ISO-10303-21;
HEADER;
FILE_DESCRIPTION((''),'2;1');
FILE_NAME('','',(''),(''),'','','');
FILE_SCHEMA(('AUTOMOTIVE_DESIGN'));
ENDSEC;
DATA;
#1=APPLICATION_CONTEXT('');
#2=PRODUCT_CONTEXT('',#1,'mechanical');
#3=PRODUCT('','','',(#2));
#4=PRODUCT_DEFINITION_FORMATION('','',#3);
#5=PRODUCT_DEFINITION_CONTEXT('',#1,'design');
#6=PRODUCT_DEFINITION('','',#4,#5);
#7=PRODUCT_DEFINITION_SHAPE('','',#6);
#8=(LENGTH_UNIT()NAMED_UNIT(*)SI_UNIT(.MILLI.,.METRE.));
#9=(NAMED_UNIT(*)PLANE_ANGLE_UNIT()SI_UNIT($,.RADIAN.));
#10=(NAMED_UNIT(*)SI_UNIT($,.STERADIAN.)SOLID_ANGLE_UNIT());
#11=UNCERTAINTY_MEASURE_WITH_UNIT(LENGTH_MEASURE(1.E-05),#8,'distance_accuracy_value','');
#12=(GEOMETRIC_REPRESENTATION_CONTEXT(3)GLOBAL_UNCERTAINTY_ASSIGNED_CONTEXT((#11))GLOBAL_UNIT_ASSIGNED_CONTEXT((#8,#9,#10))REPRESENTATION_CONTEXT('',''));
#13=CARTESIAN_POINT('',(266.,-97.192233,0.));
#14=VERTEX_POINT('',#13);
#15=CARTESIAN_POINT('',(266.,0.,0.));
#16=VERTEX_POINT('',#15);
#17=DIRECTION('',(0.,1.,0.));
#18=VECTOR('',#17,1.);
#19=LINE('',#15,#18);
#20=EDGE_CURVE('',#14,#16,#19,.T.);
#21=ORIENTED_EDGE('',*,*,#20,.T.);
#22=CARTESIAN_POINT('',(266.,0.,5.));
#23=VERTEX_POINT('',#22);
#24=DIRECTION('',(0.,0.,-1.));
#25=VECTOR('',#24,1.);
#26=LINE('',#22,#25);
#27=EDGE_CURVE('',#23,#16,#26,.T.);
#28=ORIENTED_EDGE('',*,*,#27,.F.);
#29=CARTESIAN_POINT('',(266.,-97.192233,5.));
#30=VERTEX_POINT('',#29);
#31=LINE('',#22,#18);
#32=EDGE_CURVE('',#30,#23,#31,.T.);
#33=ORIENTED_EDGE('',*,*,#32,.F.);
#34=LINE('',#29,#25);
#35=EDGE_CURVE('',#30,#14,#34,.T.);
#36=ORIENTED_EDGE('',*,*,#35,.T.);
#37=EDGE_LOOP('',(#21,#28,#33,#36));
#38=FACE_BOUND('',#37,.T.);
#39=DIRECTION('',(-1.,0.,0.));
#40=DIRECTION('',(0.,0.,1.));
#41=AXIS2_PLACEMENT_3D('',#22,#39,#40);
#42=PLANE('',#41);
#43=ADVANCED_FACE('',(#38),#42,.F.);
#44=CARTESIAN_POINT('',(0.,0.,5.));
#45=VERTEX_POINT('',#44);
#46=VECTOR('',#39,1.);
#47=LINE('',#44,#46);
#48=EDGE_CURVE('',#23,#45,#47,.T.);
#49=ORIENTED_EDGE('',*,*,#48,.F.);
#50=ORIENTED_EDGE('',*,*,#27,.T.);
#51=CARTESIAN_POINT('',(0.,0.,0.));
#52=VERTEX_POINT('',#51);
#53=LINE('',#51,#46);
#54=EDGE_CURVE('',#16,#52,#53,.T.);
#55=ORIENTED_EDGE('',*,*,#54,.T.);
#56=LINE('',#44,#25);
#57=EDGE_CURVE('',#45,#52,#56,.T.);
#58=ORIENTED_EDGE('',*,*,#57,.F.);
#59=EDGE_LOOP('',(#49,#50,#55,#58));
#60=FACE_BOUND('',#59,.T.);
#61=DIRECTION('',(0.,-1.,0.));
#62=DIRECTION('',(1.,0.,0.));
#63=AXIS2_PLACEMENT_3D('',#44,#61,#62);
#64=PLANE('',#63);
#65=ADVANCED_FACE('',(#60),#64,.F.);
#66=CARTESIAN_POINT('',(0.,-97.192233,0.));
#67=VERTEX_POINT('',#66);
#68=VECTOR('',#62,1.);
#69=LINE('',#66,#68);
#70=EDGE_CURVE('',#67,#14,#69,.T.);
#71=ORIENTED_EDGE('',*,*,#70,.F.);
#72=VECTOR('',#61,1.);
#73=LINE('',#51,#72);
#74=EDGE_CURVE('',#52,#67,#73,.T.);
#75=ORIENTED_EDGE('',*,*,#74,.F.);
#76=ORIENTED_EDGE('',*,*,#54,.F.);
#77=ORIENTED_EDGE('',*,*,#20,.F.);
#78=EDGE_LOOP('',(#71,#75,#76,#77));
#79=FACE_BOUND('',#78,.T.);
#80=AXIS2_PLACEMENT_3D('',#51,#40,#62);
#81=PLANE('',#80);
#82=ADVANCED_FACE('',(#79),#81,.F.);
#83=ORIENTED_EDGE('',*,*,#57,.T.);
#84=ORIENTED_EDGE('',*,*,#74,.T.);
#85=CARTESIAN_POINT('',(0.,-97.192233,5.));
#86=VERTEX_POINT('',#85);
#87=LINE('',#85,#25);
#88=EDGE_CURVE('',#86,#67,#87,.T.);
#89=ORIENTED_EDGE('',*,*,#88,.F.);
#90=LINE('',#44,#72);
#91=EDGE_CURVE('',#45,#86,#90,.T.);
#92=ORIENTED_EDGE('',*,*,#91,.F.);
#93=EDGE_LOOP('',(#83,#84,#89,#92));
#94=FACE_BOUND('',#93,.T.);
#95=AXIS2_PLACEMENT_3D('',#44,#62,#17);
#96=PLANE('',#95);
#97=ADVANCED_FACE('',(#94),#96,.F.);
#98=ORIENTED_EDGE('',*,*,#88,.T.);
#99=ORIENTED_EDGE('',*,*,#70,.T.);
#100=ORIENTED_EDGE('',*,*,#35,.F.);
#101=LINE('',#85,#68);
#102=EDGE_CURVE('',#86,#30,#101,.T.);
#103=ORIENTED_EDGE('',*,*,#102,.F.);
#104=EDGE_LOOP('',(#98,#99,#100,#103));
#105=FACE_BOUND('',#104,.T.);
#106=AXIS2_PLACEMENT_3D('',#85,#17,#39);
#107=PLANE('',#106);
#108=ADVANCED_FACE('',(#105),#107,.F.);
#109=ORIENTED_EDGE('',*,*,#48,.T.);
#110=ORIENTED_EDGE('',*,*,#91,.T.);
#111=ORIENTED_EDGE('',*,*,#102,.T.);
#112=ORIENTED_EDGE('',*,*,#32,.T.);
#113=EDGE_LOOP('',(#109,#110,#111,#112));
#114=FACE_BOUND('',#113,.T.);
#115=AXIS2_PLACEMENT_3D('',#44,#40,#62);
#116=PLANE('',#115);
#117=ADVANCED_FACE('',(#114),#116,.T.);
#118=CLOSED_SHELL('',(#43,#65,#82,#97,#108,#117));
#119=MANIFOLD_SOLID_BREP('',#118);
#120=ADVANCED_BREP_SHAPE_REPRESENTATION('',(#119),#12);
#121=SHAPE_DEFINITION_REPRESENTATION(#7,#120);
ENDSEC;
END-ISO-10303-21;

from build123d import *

# Parameters (mm, degrees)
SKETCH1_W           = 266
SKETCH1_H           = 97.192233147
BOSS_EXTRUDE1_DEPTH = 5


with BuildPart() as part:
    # Sketch1 → Boss-Extrude1 (new body)
    with BuildSketch(Plane.XY):
        with Locations((133, -48.596116574)):
            Rectangle(SKETCH1_W, SKETCH1_H)
    extrude(amount=BOSS_EXTRUDE1_DEPTH)


solid = part.part
